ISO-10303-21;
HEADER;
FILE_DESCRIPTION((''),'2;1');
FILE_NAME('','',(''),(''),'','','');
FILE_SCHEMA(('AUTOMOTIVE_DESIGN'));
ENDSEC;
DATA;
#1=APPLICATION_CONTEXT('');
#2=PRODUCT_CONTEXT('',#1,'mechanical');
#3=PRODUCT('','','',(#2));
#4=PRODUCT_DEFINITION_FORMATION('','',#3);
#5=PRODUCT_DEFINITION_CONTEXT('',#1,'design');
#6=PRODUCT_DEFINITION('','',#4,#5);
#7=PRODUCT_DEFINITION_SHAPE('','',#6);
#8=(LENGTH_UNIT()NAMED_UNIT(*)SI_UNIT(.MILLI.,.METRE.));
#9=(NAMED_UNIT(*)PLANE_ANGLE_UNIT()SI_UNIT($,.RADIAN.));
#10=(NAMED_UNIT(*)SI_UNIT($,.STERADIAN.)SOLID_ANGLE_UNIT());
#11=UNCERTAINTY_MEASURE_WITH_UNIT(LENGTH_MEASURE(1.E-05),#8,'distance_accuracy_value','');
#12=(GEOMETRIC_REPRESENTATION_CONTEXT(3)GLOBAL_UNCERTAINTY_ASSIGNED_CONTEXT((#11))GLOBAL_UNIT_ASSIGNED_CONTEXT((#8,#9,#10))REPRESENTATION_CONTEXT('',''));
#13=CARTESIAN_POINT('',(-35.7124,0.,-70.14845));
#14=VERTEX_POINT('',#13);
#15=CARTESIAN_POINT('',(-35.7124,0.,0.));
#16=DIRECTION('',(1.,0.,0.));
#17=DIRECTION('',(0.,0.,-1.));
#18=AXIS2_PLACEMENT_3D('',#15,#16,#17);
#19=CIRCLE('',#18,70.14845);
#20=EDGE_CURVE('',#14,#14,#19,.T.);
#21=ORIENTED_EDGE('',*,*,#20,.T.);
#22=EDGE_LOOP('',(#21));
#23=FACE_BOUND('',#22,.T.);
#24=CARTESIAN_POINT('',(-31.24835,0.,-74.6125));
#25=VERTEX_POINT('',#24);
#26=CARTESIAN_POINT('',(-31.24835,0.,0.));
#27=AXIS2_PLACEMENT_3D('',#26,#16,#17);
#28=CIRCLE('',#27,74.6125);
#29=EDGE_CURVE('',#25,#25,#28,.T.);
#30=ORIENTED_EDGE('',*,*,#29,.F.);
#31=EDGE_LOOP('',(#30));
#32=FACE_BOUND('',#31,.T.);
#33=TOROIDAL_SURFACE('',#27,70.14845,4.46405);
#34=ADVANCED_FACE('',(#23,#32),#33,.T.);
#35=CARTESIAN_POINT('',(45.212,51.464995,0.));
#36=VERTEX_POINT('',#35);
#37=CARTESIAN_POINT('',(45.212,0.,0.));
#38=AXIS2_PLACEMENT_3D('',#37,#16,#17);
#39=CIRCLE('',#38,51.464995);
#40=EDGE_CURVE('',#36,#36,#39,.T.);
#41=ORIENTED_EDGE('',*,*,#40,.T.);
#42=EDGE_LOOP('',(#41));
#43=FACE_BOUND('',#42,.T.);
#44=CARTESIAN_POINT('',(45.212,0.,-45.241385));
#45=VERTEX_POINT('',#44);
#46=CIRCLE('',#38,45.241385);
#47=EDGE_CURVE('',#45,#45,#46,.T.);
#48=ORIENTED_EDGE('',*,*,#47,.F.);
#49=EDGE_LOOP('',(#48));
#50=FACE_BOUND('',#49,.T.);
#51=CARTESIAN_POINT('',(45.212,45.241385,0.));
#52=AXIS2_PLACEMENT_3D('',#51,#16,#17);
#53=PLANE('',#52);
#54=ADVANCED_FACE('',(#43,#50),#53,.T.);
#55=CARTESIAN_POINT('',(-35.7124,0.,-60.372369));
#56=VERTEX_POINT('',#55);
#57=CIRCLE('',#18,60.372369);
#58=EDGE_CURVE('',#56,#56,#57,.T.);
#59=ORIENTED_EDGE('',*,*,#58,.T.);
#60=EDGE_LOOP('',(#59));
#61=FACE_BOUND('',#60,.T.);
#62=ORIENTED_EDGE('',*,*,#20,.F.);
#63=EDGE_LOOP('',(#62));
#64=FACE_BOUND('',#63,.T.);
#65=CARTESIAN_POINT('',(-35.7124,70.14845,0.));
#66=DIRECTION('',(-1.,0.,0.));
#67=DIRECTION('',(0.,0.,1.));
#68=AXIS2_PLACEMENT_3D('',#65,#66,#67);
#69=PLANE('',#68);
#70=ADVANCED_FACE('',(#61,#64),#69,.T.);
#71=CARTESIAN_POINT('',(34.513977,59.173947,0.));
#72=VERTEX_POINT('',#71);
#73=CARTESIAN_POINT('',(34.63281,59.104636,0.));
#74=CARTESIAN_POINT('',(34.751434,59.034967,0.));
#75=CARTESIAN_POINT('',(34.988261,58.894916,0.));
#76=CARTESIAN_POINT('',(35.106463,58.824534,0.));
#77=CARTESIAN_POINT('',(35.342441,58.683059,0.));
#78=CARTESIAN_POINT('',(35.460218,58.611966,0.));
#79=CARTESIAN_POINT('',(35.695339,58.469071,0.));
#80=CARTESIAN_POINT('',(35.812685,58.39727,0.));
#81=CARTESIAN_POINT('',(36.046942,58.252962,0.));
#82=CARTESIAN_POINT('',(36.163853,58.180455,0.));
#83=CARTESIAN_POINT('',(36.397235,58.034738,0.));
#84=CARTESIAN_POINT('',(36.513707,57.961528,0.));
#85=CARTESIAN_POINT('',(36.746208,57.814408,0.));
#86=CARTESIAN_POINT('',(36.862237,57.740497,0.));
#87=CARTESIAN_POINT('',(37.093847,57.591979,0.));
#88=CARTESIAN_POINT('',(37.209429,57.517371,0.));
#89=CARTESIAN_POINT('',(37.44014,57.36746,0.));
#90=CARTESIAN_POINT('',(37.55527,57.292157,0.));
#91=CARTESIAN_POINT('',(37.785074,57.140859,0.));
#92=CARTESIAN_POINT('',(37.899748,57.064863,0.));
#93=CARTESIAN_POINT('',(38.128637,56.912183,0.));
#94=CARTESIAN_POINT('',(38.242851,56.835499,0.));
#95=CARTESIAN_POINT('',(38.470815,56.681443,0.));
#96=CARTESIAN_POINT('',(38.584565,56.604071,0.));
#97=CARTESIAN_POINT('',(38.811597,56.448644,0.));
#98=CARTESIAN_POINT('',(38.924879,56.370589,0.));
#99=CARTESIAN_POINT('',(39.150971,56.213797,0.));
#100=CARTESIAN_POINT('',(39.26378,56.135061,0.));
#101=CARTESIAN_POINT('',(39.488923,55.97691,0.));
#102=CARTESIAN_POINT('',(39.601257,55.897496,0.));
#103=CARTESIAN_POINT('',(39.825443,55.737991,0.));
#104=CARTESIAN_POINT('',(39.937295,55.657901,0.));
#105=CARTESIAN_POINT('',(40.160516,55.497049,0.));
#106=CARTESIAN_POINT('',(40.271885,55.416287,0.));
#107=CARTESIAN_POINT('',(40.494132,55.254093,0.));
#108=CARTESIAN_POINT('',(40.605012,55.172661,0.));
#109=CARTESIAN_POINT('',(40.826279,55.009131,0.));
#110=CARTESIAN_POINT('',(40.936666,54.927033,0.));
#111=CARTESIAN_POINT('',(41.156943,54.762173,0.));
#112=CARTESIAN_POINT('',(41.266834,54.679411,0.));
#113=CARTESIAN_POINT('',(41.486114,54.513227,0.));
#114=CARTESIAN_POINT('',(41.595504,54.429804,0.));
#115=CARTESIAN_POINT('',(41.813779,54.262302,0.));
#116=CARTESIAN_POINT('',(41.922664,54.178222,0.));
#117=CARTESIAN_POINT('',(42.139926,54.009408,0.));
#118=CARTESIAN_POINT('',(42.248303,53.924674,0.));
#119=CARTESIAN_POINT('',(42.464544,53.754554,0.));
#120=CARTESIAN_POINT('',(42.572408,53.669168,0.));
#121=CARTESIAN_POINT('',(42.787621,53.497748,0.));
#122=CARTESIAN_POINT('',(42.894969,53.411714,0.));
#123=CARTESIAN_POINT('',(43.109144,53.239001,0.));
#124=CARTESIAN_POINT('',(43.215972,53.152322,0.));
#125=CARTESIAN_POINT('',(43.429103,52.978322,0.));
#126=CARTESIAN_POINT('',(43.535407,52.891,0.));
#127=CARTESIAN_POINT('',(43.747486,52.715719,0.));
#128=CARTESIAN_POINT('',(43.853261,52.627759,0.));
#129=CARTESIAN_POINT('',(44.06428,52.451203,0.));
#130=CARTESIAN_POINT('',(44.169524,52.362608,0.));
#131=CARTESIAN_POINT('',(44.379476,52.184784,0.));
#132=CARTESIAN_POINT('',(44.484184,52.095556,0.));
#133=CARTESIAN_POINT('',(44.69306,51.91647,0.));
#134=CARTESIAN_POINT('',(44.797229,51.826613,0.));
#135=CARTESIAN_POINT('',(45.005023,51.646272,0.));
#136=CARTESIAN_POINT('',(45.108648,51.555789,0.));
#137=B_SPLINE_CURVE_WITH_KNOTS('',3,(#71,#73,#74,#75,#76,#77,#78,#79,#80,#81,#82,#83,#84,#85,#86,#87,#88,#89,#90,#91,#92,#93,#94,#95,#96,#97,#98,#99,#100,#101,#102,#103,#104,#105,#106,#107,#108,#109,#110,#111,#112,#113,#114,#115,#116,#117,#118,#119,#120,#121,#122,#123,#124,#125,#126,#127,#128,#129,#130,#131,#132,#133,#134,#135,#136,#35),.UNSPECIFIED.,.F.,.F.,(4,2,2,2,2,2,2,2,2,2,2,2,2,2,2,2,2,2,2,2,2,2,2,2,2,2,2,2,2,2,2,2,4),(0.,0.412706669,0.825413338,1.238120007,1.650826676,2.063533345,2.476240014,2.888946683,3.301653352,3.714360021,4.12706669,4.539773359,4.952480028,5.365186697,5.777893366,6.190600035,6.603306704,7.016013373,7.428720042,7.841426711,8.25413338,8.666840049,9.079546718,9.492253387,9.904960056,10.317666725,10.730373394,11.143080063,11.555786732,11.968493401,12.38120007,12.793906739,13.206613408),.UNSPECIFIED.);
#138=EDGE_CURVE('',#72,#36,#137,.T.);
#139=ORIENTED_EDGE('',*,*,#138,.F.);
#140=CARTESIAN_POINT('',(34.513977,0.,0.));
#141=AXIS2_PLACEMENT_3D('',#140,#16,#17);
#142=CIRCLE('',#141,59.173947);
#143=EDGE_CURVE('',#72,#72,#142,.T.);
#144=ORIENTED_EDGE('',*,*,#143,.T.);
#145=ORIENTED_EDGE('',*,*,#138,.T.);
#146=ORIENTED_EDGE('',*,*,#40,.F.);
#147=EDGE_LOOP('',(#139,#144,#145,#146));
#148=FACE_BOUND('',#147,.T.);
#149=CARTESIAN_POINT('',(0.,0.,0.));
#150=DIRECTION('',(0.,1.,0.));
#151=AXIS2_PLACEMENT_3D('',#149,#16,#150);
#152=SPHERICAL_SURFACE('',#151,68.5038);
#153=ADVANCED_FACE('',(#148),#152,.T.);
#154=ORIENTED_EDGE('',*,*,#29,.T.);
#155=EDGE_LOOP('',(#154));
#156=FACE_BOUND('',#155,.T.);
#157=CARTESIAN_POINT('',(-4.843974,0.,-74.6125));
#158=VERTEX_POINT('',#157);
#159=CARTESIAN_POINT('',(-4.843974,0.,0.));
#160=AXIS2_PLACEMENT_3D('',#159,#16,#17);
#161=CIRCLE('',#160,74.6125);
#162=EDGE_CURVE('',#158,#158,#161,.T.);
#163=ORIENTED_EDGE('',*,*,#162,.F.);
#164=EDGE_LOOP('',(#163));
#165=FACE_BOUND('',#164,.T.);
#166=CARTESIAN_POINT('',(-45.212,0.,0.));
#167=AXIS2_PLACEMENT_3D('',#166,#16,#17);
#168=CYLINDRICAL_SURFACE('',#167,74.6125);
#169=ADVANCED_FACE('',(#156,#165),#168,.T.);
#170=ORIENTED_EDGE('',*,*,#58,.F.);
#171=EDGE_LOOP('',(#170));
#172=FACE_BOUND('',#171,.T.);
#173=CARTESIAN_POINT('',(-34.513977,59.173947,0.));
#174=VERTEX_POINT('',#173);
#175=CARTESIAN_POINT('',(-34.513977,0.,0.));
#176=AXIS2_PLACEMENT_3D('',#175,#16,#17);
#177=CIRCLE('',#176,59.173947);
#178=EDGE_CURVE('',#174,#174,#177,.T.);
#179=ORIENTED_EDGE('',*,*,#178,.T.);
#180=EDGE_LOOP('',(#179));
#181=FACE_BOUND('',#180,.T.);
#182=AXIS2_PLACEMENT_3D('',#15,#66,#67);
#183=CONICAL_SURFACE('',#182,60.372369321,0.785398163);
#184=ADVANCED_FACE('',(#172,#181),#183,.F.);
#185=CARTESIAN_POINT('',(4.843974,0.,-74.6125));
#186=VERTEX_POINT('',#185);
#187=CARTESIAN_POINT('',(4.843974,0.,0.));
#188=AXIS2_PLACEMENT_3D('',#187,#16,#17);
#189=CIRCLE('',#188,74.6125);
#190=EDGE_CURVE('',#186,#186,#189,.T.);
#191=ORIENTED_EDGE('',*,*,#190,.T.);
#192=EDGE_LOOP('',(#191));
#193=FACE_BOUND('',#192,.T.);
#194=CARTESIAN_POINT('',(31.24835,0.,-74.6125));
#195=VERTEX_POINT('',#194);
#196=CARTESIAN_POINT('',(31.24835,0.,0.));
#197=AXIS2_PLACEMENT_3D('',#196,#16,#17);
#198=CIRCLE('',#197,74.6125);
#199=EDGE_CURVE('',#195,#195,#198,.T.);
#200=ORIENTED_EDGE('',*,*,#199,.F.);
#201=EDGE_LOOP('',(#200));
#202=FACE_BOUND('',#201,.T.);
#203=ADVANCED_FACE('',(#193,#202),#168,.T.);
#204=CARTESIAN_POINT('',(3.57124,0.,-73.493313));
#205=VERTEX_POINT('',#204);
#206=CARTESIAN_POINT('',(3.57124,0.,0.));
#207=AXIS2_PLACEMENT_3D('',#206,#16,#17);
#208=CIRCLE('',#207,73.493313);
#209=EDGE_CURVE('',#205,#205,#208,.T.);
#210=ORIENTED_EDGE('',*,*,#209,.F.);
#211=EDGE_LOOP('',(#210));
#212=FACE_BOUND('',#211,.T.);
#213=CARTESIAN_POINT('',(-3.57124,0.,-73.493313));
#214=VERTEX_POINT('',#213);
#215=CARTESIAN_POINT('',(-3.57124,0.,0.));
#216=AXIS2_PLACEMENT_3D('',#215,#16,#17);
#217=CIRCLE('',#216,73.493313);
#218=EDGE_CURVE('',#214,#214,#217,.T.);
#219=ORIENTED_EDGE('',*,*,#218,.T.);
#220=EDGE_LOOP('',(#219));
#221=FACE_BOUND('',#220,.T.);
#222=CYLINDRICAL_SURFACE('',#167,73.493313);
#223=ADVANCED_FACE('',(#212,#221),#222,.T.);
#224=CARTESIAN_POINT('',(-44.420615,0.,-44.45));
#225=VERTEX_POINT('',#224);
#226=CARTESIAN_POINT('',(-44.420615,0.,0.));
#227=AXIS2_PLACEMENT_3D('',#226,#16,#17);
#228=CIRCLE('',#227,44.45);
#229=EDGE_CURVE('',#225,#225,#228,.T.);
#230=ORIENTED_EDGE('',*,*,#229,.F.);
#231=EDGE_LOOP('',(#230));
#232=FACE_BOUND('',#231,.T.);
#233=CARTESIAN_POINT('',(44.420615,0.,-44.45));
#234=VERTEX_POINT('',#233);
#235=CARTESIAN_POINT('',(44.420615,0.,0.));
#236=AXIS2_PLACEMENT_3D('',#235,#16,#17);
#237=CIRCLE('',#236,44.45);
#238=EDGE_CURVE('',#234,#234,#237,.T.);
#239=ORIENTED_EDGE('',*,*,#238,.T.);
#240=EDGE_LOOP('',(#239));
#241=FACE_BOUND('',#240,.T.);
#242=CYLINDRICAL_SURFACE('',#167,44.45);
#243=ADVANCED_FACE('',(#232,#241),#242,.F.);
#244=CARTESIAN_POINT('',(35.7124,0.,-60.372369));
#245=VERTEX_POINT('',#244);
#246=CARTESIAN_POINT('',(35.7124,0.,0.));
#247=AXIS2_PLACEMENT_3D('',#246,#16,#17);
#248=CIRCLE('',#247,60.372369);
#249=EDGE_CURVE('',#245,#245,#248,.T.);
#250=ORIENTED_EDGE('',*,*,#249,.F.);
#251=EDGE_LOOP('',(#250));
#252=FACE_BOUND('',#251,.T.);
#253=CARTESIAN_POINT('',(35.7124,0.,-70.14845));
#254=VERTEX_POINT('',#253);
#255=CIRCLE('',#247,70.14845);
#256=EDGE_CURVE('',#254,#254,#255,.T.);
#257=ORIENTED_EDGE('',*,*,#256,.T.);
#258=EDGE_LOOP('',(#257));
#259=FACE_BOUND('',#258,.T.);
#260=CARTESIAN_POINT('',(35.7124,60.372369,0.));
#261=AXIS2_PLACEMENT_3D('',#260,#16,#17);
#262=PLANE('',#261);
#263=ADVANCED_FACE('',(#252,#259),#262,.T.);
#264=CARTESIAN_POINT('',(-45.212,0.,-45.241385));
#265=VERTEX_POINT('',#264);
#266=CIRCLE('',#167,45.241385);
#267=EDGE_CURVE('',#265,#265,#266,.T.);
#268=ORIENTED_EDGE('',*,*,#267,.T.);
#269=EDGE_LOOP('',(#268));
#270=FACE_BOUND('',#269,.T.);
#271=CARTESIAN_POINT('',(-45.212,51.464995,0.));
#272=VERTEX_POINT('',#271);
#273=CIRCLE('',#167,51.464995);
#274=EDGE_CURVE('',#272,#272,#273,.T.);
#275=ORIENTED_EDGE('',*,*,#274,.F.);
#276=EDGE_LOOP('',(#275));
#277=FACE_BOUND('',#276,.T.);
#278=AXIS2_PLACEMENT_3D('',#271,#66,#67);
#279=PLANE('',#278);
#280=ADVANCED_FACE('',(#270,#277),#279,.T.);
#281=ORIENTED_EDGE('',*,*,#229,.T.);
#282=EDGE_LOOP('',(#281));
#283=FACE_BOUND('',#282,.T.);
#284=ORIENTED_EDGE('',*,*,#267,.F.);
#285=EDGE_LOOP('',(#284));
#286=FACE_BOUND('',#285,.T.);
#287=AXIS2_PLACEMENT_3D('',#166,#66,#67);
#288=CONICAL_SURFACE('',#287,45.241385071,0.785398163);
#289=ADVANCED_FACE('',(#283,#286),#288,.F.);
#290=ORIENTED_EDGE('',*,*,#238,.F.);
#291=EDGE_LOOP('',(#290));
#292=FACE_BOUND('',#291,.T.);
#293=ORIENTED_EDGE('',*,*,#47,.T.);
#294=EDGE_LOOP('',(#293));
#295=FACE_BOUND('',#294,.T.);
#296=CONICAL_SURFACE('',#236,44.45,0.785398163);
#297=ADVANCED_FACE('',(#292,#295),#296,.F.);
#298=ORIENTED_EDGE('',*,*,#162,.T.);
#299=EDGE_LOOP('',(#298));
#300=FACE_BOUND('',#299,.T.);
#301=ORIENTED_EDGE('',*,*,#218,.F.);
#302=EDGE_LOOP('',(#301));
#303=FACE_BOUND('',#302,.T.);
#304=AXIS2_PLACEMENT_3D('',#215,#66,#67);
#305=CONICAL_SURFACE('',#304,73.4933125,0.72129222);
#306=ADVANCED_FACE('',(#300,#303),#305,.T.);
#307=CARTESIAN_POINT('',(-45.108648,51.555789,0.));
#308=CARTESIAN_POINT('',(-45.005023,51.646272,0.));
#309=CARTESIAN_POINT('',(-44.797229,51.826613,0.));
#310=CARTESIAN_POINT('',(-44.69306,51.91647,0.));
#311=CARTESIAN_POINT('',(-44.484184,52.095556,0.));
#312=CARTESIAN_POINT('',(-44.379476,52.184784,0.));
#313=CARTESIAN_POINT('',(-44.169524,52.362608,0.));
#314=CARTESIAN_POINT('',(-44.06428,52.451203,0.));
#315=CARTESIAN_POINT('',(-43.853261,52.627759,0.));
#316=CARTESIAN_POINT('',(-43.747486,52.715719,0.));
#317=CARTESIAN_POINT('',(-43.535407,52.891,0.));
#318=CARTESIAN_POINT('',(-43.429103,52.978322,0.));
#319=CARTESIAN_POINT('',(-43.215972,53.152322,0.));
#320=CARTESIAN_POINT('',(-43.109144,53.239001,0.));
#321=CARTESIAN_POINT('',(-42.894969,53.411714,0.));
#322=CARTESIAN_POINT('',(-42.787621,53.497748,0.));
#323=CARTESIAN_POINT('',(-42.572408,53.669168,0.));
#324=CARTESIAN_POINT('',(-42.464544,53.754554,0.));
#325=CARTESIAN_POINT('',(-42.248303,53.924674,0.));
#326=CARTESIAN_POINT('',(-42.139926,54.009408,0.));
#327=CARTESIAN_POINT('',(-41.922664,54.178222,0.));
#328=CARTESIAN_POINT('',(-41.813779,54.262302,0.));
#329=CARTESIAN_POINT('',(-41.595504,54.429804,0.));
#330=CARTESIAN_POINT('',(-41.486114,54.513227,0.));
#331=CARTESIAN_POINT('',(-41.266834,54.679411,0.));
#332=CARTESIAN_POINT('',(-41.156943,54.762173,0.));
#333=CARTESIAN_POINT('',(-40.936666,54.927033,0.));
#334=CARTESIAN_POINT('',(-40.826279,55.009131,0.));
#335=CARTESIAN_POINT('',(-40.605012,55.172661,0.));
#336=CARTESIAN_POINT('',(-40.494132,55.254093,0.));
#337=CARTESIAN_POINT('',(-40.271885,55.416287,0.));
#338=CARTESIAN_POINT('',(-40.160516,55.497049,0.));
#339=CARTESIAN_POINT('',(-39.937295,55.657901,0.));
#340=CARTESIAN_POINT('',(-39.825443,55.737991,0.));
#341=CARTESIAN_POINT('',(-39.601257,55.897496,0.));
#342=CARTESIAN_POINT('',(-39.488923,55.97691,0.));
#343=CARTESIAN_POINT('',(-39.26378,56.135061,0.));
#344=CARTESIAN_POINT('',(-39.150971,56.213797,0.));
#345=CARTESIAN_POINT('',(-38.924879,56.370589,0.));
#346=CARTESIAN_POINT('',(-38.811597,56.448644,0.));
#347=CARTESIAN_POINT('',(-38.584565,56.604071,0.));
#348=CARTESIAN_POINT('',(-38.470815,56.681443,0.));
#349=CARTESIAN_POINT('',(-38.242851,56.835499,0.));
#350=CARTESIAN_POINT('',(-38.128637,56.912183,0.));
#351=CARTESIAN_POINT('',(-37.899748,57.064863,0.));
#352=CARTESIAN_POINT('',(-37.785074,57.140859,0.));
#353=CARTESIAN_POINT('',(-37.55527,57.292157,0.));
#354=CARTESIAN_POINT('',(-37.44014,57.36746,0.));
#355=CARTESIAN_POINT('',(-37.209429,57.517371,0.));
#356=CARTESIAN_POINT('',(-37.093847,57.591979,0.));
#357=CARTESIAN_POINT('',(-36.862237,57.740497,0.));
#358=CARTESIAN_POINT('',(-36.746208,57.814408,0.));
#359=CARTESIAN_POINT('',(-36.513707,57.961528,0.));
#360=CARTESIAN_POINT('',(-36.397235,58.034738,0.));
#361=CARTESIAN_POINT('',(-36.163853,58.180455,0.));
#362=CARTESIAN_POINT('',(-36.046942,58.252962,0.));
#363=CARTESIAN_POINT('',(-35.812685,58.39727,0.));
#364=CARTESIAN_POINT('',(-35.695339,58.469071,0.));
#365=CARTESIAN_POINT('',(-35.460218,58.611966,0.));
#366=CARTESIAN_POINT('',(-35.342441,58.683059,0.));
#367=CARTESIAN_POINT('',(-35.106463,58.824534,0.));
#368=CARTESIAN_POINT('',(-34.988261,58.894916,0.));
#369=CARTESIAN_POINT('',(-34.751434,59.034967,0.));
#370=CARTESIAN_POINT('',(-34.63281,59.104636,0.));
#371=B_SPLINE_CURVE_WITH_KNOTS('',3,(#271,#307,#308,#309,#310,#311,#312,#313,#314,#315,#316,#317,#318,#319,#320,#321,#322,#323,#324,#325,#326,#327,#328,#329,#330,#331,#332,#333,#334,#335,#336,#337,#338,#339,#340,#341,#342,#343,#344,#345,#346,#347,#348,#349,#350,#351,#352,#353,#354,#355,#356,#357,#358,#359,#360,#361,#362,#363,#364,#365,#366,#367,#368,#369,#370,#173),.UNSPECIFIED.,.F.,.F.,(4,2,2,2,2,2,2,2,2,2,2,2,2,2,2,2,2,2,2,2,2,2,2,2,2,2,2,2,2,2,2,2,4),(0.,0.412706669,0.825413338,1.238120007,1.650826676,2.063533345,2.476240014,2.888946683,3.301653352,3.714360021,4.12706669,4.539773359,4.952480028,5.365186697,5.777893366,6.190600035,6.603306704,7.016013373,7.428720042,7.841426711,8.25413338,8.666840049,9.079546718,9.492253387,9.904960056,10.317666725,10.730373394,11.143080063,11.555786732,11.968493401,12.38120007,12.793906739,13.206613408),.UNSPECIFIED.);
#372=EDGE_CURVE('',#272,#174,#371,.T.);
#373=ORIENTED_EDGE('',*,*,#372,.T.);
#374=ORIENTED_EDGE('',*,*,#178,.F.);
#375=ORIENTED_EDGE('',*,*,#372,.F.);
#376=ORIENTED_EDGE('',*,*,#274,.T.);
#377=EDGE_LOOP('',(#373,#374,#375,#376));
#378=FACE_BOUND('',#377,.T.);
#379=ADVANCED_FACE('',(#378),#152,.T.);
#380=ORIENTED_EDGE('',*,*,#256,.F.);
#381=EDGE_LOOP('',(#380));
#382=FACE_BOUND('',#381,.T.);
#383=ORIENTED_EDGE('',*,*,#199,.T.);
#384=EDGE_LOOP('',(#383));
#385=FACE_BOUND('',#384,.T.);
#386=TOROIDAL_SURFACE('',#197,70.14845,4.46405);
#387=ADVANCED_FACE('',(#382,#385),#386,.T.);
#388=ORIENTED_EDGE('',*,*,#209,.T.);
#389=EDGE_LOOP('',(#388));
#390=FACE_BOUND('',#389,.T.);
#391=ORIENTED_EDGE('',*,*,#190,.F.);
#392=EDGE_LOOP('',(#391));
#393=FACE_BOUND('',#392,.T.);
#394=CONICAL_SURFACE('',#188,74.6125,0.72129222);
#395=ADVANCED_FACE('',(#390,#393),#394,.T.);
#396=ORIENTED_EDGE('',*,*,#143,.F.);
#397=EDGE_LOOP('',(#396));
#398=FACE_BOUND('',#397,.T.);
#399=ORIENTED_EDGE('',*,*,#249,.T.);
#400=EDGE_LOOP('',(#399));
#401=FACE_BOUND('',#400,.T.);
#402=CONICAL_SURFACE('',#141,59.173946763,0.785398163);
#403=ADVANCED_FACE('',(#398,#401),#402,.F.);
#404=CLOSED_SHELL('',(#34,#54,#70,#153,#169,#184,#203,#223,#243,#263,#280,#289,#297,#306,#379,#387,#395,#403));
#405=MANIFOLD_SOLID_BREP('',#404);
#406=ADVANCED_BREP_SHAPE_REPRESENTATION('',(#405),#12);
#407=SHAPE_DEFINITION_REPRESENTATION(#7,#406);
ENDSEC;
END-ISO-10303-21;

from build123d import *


with BuildPart() as part:
    # Sketch1 → Revolve1 (revolve)
    with BuildSketch(Plane.XY, mode=Mode.PRIVATE) as revolve1_sk:
        with BuildLine():
            Line((-45.212, 51.464994612), (-45.212, 45.241385071))
            Line((-45.212, 45.241385071), (-44.420614929, 44.45))
            Line((-44.420614929, 44.45), (44.420614929, 44.45))
            Line((44.420614929, 44.45), (45.212, 45.241385071))
            Line((45.212, 45.241385071), (45.212, 51.464994612))
            ThreePointArc((45.212, 51.464994612), (40.048905798, 55.577475283), (34.513977442, 59.173946763))
            Line((34.513977442, 59.173946763), (35.7124, 60.372369321))
            Line((35.7124, 60.372369321), (35.7124, 70.14845))
            ThreePointArc((35.7124, 70.14845), (34.404910027, 73.305010027), (31.24835, 74.6125))
            Line((31.24835, 74.6125), (4.843974298, 74.6125))
            Line((4.843974298, 74.6125), (3.57124, 73.4933125))
            Line((3.57124, 73.4933125), (-3.57124, 73.4933125))
            Line((-3.57124, 73.4933125), (-4.843974298, 74.6125))
            Line((-4.843974298, 74.6125), (-31.24835, 74.6125))
            ThreePointArc((-31.24835, 74.6125), (-34.404910027, 73.305010027), (-35.7124, 70.14845))
            Line((-35.7124, 70.14845), (-35.7124, 60.372369321))
            Line((-35.7124, 60.372369321), (-34.513977442, 59.173946763))
            ThreePointArc((-34.513977442, 59.173946763), (-40.048905798, 55.577475283), (-45.212, 51.464994612))
        make_face()
    revolve(revolve1_sk.sketch.rotate(Axis((-45.212, 0, 0), (1, 0, 0)), 270), axis=Axis((-45.212, 0, 0), (1, 0, 0)))


solid = part.part
